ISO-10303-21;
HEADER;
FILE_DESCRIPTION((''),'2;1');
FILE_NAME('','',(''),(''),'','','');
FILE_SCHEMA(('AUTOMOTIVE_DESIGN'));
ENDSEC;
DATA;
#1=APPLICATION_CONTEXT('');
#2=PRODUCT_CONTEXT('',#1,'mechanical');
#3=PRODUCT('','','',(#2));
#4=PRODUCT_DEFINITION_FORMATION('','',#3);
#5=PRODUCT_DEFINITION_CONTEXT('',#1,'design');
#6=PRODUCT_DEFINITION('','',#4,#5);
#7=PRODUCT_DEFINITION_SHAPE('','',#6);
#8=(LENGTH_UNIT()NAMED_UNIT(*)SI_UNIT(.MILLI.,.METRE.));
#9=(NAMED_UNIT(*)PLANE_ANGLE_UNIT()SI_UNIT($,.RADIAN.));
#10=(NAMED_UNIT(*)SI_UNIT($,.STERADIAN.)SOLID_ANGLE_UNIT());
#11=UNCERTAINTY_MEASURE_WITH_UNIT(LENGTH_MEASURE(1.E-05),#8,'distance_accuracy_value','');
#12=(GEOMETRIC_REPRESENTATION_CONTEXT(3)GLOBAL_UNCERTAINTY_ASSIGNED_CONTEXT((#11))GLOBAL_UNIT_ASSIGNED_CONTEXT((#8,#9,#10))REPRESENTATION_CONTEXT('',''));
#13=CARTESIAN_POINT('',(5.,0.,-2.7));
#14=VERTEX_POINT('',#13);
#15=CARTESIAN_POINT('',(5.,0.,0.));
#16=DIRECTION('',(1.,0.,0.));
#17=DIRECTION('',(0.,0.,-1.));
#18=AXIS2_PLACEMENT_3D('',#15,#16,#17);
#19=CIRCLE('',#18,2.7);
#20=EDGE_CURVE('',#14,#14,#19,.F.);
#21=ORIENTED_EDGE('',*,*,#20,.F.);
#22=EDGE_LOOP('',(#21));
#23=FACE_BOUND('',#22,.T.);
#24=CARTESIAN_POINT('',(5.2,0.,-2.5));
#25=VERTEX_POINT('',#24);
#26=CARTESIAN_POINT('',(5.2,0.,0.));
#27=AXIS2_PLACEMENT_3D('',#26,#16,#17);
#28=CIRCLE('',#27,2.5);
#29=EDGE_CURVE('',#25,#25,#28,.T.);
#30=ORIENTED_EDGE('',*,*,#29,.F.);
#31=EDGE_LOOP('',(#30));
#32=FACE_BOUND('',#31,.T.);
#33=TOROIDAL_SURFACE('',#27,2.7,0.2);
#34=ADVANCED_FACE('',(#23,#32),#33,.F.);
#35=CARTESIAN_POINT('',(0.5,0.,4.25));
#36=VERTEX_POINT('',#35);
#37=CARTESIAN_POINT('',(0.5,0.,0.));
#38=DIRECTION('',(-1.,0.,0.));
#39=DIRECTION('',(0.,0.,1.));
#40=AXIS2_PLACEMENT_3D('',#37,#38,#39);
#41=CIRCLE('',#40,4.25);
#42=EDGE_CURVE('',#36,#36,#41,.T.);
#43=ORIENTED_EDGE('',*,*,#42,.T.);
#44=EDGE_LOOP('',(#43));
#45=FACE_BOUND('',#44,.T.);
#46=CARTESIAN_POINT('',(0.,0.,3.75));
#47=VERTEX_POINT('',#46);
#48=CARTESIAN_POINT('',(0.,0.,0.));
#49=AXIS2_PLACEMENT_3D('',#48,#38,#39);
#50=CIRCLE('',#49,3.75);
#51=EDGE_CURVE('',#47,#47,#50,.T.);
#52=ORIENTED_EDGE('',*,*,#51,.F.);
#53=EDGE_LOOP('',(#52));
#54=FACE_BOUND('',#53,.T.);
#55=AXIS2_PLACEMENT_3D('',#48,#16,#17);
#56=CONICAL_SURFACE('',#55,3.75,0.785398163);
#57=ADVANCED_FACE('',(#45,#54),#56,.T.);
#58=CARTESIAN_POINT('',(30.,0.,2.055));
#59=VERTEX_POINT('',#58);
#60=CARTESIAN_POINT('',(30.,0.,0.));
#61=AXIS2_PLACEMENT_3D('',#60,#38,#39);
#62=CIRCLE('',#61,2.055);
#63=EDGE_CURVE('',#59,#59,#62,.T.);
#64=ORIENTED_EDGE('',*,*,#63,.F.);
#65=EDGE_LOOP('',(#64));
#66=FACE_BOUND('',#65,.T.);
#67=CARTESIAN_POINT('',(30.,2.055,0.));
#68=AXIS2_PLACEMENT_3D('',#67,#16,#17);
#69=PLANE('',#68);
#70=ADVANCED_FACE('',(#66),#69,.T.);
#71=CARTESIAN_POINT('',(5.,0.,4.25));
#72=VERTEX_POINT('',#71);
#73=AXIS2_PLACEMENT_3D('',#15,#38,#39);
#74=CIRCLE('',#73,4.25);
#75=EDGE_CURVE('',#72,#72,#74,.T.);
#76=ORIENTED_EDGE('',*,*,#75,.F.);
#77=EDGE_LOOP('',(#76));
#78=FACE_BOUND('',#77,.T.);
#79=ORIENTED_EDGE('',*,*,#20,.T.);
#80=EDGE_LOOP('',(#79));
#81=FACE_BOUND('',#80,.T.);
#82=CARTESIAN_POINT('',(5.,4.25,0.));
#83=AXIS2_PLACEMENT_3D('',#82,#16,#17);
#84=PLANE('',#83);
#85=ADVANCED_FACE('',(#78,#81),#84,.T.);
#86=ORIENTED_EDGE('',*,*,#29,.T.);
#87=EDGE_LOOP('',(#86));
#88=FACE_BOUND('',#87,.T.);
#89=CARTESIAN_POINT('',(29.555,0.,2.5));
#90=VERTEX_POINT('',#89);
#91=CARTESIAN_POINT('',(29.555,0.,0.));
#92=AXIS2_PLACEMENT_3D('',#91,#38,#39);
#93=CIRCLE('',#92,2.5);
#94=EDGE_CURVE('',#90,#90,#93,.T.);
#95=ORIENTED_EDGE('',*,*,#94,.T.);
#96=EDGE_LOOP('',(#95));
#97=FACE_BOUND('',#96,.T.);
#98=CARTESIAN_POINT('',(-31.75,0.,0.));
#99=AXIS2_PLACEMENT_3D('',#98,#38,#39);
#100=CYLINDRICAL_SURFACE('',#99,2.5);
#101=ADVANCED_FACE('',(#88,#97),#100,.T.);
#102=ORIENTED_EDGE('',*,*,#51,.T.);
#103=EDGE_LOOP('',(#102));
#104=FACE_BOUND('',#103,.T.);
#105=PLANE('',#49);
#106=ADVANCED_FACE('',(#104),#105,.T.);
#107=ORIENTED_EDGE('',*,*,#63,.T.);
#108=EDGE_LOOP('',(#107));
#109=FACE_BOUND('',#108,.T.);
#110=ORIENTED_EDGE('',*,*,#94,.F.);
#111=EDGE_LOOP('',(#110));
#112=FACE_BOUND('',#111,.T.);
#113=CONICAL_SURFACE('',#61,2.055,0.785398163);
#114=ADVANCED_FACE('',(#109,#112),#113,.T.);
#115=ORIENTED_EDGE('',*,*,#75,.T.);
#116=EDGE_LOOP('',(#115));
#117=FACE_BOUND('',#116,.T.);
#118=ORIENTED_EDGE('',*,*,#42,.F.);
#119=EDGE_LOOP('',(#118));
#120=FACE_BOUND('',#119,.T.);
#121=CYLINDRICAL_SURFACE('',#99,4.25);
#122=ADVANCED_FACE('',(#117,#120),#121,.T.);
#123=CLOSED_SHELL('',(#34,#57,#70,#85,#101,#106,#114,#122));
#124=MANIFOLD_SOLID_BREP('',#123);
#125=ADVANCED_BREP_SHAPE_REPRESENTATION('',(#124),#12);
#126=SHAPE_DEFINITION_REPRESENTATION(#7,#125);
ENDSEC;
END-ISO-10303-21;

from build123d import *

# Parameters (mm, degrees)
FILLET1_R = 0.2


with BuildPart() as part:
    # BodySke → Base-Revolve (revolve)
    with BuildSketch(Plane.XY, mode=Mode.PRIVATE) as base_revolve_sk:
        Polygon((0, 0), (0, 3.75), (0.5, 4.25), (5, 4.25), (5, 2.5), (29.555, 2.5), (30, 2.055), (30, 0), align=None)
    revolve(base_revolve_sk.sketch.rotate(Axis((-31.75, 0, 0), (1, 0, 0)), 90), axis=Axis((-31.75, 0, 0), (1, 0, 0)))

    # Fillet1
    fillet1_edges = [part.edges().sort_by_distance(p)[0] for p in [
        (5, 0, -2.5),
    ]]
    fillet(fillet1_edges, radius=FILLET1_R)


solid = part.part
